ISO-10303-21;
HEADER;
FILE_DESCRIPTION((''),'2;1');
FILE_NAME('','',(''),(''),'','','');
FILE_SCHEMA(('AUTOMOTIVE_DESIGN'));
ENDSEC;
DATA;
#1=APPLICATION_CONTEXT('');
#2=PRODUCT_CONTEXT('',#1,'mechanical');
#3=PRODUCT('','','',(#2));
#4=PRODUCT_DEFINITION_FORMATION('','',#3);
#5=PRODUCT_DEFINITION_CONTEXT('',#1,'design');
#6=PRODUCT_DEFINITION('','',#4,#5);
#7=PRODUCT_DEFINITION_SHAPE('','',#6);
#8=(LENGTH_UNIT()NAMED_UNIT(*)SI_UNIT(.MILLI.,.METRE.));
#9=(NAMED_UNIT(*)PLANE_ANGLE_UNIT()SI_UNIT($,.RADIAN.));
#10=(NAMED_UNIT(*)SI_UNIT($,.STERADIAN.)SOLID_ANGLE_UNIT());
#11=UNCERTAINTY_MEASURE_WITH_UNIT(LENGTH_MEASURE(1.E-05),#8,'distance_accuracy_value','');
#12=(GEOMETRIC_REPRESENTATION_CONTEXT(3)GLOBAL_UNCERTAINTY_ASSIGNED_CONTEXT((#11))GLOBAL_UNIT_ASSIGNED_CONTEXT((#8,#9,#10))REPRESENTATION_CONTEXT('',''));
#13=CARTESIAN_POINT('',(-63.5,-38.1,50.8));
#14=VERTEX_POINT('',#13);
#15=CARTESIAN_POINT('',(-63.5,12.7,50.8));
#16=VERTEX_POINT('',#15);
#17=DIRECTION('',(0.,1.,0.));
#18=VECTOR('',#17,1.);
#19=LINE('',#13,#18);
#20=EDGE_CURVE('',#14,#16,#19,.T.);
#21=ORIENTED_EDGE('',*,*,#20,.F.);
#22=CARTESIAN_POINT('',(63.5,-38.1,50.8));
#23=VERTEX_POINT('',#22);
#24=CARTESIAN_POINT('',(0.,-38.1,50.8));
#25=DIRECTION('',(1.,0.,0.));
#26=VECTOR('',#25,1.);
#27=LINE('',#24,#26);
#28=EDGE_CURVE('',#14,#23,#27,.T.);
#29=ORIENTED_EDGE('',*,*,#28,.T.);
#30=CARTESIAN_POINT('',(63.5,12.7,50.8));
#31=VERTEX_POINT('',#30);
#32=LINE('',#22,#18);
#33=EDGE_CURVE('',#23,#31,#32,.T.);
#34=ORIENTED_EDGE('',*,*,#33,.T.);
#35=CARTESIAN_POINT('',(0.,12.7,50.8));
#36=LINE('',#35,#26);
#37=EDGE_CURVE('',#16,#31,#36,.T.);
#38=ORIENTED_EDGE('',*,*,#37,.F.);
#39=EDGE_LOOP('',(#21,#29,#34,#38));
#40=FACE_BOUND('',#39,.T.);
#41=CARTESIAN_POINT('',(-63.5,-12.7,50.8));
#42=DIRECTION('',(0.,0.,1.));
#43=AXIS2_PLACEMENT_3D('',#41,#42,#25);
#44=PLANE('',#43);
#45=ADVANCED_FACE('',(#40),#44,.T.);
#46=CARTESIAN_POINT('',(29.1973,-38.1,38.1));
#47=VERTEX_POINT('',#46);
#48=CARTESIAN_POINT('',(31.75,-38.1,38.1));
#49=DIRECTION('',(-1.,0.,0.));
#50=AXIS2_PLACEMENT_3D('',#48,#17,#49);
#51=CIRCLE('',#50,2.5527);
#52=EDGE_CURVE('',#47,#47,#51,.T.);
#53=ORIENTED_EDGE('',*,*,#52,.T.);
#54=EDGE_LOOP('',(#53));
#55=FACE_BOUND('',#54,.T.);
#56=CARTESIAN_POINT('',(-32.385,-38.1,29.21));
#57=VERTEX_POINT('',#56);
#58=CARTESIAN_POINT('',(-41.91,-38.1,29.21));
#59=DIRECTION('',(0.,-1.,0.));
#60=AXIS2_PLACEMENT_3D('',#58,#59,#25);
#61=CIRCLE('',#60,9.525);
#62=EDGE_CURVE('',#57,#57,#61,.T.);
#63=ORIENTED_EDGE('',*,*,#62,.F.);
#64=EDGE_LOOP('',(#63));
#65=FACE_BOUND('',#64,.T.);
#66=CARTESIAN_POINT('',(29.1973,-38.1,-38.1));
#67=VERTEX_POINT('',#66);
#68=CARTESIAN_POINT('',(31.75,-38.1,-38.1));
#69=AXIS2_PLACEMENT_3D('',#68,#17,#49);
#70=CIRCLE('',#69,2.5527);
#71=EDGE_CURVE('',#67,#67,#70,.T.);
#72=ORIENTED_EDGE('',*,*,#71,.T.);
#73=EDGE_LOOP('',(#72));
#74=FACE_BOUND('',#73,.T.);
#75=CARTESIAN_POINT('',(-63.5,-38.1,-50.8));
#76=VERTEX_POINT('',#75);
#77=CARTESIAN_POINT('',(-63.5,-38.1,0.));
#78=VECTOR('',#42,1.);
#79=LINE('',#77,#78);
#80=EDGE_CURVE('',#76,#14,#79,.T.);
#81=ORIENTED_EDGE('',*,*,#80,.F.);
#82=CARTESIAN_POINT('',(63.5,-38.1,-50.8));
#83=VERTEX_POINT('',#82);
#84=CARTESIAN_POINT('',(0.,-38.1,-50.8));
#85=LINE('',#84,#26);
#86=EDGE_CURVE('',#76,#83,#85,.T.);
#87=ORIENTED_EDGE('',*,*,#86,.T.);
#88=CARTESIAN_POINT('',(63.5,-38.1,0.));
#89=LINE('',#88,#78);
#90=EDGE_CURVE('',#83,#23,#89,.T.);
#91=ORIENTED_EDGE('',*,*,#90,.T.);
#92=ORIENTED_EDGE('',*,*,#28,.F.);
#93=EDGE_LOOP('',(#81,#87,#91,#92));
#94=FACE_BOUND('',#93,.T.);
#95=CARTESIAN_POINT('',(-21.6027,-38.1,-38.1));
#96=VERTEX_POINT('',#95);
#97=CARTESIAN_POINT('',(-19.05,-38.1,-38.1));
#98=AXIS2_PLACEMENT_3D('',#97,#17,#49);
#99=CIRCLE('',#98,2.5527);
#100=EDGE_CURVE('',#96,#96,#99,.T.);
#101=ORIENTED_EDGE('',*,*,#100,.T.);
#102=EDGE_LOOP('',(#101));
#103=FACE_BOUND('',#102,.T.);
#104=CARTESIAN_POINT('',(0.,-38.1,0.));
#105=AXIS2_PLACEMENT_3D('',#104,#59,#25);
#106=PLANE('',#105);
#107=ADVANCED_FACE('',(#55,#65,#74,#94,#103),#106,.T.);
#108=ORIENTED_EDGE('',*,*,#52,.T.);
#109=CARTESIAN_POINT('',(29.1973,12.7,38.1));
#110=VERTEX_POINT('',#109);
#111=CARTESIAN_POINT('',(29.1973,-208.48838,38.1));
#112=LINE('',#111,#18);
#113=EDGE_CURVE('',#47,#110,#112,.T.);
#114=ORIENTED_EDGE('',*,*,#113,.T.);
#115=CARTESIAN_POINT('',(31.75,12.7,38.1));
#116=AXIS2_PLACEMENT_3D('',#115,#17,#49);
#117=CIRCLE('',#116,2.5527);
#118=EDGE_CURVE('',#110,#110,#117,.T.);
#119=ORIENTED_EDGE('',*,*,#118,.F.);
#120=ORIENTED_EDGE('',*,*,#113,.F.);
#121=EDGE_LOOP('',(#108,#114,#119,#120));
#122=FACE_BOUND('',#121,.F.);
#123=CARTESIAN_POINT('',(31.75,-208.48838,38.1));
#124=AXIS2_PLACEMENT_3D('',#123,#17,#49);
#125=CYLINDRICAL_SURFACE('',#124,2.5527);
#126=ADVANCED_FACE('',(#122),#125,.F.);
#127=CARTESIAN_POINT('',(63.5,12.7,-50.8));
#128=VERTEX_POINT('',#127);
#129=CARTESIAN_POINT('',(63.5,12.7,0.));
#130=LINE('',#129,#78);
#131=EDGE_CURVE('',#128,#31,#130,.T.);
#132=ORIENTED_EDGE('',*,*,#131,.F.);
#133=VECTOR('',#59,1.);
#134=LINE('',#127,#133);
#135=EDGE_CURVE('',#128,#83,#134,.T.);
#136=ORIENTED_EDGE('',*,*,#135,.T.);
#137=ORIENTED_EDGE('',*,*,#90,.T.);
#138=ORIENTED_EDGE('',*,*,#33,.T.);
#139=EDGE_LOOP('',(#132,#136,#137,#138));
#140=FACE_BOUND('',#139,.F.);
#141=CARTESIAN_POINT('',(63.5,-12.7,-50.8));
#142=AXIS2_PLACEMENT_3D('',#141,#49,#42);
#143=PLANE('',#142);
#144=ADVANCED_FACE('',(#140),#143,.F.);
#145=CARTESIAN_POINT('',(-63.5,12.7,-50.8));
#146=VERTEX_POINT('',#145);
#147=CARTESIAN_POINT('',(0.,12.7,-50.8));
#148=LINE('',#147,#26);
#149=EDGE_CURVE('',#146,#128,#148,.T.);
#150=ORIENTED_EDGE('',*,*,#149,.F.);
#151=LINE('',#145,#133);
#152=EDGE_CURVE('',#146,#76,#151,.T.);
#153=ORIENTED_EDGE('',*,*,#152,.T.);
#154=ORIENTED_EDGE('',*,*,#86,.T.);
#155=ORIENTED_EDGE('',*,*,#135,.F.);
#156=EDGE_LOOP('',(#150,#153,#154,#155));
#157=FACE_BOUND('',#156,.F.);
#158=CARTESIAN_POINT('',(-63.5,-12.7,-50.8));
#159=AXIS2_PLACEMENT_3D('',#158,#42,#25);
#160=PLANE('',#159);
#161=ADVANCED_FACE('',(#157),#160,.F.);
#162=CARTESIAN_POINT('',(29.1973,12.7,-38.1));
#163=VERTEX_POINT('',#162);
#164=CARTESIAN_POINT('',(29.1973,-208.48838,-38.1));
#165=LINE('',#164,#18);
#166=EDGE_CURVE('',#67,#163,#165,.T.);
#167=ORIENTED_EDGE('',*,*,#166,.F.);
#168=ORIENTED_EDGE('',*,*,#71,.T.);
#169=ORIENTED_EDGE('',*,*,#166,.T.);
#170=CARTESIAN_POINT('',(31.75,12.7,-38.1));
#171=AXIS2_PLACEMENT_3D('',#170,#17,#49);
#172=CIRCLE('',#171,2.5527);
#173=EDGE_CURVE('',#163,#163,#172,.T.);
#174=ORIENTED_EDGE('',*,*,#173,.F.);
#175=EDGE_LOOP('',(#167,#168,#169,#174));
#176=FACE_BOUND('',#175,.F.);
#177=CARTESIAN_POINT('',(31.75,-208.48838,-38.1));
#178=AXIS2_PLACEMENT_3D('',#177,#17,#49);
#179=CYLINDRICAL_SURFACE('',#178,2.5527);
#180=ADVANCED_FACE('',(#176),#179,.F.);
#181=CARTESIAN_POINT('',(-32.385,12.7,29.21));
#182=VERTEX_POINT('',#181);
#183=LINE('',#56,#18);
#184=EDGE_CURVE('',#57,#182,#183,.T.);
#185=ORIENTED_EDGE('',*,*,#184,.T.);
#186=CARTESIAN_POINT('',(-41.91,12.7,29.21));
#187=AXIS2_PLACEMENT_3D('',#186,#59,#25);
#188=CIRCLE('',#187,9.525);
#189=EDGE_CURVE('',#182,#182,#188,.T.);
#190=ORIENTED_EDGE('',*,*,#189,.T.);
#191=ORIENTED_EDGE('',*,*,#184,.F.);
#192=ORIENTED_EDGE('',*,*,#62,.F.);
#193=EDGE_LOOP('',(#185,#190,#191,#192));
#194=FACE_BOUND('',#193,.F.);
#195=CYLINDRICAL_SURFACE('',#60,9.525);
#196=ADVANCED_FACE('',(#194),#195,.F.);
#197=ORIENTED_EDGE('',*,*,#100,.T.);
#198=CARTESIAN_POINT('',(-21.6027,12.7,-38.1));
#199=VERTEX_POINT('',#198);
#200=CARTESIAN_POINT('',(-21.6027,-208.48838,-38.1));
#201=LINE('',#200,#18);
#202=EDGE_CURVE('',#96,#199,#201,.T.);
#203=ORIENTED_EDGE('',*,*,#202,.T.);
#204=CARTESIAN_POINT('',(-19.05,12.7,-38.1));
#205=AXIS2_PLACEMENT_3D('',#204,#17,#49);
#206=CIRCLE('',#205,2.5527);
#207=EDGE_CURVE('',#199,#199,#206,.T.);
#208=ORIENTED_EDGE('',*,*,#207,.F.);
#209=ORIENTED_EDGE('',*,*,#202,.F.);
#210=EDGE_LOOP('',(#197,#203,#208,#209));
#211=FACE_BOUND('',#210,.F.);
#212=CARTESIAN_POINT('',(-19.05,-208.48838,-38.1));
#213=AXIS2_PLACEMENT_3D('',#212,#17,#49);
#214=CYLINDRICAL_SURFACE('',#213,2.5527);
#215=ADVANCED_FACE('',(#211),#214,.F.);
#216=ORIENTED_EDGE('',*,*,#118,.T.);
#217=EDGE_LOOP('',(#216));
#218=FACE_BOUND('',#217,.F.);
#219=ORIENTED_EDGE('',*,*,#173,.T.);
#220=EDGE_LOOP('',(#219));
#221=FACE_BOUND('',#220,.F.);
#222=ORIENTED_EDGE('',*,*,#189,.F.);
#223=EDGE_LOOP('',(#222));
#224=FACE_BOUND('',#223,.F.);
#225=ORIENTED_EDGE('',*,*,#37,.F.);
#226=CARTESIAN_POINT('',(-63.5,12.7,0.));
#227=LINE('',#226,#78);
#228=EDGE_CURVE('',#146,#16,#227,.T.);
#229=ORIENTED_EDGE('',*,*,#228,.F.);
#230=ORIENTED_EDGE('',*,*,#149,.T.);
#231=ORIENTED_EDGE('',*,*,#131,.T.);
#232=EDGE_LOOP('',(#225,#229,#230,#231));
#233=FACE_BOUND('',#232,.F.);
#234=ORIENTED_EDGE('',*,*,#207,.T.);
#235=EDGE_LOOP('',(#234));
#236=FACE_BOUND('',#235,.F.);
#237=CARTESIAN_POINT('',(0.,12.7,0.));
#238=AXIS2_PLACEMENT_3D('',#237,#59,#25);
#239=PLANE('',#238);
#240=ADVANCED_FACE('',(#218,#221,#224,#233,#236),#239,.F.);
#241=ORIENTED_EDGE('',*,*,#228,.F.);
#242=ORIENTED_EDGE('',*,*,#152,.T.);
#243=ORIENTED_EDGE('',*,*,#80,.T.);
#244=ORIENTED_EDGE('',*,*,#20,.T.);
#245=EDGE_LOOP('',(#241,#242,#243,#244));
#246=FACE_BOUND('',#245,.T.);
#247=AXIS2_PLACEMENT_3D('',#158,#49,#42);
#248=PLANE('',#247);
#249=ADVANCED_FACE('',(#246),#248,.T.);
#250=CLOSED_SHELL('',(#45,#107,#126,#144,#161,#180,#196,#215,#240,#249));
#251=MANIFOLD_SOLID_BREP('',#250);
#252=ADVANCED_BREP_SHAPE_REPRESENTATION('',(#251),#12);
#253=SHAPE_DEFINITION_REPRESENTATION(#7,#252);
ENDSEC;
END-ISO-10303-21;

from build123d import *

# Parameters (mm, degrees)
F0_W     = 127
F0_H     = 101.6
F1_DEPTH = 12.7
F2_DEPTH = 25.4
F3_R     = 9.525
F4_DEPTH = 50.801
F6_D     = 5.1054


with BuildPart() as f1:
    # F0 (on Front) → F1 (new body, symmetric)
    with BuildSketch(Plane.XZ):
        Rectangle(F0_W, F0_H)
    extrude(amount=F1_DEPTH, both=True)

    # F2 (add): a face of the model
    f2_faces = [f1.faces().sort_by_distance(p)[0] for p in [
        (0, -12.7, 0),
    ]]
    extrude(f2_faces, amount=F2_DEPTH)

    # F3 (on face) → F4 (cut, through all)
    with BuildSketch(Plane.XZ.offset(38.1)):
        with Locations((-41.91, 29.21)):
            Circle(F3_R)
    extrude(amount=-F4_DEPTH, mode=Mode.SUBTRACT)

    # F6 (through all)
    with Locations(Plane.XZ.offset(38.1)):
        with Locations((31.75, 38.1), (31.75, -38.1), (-19.05, -38.1)):
            Hole(F6_D / 2)


solid = f1.part
